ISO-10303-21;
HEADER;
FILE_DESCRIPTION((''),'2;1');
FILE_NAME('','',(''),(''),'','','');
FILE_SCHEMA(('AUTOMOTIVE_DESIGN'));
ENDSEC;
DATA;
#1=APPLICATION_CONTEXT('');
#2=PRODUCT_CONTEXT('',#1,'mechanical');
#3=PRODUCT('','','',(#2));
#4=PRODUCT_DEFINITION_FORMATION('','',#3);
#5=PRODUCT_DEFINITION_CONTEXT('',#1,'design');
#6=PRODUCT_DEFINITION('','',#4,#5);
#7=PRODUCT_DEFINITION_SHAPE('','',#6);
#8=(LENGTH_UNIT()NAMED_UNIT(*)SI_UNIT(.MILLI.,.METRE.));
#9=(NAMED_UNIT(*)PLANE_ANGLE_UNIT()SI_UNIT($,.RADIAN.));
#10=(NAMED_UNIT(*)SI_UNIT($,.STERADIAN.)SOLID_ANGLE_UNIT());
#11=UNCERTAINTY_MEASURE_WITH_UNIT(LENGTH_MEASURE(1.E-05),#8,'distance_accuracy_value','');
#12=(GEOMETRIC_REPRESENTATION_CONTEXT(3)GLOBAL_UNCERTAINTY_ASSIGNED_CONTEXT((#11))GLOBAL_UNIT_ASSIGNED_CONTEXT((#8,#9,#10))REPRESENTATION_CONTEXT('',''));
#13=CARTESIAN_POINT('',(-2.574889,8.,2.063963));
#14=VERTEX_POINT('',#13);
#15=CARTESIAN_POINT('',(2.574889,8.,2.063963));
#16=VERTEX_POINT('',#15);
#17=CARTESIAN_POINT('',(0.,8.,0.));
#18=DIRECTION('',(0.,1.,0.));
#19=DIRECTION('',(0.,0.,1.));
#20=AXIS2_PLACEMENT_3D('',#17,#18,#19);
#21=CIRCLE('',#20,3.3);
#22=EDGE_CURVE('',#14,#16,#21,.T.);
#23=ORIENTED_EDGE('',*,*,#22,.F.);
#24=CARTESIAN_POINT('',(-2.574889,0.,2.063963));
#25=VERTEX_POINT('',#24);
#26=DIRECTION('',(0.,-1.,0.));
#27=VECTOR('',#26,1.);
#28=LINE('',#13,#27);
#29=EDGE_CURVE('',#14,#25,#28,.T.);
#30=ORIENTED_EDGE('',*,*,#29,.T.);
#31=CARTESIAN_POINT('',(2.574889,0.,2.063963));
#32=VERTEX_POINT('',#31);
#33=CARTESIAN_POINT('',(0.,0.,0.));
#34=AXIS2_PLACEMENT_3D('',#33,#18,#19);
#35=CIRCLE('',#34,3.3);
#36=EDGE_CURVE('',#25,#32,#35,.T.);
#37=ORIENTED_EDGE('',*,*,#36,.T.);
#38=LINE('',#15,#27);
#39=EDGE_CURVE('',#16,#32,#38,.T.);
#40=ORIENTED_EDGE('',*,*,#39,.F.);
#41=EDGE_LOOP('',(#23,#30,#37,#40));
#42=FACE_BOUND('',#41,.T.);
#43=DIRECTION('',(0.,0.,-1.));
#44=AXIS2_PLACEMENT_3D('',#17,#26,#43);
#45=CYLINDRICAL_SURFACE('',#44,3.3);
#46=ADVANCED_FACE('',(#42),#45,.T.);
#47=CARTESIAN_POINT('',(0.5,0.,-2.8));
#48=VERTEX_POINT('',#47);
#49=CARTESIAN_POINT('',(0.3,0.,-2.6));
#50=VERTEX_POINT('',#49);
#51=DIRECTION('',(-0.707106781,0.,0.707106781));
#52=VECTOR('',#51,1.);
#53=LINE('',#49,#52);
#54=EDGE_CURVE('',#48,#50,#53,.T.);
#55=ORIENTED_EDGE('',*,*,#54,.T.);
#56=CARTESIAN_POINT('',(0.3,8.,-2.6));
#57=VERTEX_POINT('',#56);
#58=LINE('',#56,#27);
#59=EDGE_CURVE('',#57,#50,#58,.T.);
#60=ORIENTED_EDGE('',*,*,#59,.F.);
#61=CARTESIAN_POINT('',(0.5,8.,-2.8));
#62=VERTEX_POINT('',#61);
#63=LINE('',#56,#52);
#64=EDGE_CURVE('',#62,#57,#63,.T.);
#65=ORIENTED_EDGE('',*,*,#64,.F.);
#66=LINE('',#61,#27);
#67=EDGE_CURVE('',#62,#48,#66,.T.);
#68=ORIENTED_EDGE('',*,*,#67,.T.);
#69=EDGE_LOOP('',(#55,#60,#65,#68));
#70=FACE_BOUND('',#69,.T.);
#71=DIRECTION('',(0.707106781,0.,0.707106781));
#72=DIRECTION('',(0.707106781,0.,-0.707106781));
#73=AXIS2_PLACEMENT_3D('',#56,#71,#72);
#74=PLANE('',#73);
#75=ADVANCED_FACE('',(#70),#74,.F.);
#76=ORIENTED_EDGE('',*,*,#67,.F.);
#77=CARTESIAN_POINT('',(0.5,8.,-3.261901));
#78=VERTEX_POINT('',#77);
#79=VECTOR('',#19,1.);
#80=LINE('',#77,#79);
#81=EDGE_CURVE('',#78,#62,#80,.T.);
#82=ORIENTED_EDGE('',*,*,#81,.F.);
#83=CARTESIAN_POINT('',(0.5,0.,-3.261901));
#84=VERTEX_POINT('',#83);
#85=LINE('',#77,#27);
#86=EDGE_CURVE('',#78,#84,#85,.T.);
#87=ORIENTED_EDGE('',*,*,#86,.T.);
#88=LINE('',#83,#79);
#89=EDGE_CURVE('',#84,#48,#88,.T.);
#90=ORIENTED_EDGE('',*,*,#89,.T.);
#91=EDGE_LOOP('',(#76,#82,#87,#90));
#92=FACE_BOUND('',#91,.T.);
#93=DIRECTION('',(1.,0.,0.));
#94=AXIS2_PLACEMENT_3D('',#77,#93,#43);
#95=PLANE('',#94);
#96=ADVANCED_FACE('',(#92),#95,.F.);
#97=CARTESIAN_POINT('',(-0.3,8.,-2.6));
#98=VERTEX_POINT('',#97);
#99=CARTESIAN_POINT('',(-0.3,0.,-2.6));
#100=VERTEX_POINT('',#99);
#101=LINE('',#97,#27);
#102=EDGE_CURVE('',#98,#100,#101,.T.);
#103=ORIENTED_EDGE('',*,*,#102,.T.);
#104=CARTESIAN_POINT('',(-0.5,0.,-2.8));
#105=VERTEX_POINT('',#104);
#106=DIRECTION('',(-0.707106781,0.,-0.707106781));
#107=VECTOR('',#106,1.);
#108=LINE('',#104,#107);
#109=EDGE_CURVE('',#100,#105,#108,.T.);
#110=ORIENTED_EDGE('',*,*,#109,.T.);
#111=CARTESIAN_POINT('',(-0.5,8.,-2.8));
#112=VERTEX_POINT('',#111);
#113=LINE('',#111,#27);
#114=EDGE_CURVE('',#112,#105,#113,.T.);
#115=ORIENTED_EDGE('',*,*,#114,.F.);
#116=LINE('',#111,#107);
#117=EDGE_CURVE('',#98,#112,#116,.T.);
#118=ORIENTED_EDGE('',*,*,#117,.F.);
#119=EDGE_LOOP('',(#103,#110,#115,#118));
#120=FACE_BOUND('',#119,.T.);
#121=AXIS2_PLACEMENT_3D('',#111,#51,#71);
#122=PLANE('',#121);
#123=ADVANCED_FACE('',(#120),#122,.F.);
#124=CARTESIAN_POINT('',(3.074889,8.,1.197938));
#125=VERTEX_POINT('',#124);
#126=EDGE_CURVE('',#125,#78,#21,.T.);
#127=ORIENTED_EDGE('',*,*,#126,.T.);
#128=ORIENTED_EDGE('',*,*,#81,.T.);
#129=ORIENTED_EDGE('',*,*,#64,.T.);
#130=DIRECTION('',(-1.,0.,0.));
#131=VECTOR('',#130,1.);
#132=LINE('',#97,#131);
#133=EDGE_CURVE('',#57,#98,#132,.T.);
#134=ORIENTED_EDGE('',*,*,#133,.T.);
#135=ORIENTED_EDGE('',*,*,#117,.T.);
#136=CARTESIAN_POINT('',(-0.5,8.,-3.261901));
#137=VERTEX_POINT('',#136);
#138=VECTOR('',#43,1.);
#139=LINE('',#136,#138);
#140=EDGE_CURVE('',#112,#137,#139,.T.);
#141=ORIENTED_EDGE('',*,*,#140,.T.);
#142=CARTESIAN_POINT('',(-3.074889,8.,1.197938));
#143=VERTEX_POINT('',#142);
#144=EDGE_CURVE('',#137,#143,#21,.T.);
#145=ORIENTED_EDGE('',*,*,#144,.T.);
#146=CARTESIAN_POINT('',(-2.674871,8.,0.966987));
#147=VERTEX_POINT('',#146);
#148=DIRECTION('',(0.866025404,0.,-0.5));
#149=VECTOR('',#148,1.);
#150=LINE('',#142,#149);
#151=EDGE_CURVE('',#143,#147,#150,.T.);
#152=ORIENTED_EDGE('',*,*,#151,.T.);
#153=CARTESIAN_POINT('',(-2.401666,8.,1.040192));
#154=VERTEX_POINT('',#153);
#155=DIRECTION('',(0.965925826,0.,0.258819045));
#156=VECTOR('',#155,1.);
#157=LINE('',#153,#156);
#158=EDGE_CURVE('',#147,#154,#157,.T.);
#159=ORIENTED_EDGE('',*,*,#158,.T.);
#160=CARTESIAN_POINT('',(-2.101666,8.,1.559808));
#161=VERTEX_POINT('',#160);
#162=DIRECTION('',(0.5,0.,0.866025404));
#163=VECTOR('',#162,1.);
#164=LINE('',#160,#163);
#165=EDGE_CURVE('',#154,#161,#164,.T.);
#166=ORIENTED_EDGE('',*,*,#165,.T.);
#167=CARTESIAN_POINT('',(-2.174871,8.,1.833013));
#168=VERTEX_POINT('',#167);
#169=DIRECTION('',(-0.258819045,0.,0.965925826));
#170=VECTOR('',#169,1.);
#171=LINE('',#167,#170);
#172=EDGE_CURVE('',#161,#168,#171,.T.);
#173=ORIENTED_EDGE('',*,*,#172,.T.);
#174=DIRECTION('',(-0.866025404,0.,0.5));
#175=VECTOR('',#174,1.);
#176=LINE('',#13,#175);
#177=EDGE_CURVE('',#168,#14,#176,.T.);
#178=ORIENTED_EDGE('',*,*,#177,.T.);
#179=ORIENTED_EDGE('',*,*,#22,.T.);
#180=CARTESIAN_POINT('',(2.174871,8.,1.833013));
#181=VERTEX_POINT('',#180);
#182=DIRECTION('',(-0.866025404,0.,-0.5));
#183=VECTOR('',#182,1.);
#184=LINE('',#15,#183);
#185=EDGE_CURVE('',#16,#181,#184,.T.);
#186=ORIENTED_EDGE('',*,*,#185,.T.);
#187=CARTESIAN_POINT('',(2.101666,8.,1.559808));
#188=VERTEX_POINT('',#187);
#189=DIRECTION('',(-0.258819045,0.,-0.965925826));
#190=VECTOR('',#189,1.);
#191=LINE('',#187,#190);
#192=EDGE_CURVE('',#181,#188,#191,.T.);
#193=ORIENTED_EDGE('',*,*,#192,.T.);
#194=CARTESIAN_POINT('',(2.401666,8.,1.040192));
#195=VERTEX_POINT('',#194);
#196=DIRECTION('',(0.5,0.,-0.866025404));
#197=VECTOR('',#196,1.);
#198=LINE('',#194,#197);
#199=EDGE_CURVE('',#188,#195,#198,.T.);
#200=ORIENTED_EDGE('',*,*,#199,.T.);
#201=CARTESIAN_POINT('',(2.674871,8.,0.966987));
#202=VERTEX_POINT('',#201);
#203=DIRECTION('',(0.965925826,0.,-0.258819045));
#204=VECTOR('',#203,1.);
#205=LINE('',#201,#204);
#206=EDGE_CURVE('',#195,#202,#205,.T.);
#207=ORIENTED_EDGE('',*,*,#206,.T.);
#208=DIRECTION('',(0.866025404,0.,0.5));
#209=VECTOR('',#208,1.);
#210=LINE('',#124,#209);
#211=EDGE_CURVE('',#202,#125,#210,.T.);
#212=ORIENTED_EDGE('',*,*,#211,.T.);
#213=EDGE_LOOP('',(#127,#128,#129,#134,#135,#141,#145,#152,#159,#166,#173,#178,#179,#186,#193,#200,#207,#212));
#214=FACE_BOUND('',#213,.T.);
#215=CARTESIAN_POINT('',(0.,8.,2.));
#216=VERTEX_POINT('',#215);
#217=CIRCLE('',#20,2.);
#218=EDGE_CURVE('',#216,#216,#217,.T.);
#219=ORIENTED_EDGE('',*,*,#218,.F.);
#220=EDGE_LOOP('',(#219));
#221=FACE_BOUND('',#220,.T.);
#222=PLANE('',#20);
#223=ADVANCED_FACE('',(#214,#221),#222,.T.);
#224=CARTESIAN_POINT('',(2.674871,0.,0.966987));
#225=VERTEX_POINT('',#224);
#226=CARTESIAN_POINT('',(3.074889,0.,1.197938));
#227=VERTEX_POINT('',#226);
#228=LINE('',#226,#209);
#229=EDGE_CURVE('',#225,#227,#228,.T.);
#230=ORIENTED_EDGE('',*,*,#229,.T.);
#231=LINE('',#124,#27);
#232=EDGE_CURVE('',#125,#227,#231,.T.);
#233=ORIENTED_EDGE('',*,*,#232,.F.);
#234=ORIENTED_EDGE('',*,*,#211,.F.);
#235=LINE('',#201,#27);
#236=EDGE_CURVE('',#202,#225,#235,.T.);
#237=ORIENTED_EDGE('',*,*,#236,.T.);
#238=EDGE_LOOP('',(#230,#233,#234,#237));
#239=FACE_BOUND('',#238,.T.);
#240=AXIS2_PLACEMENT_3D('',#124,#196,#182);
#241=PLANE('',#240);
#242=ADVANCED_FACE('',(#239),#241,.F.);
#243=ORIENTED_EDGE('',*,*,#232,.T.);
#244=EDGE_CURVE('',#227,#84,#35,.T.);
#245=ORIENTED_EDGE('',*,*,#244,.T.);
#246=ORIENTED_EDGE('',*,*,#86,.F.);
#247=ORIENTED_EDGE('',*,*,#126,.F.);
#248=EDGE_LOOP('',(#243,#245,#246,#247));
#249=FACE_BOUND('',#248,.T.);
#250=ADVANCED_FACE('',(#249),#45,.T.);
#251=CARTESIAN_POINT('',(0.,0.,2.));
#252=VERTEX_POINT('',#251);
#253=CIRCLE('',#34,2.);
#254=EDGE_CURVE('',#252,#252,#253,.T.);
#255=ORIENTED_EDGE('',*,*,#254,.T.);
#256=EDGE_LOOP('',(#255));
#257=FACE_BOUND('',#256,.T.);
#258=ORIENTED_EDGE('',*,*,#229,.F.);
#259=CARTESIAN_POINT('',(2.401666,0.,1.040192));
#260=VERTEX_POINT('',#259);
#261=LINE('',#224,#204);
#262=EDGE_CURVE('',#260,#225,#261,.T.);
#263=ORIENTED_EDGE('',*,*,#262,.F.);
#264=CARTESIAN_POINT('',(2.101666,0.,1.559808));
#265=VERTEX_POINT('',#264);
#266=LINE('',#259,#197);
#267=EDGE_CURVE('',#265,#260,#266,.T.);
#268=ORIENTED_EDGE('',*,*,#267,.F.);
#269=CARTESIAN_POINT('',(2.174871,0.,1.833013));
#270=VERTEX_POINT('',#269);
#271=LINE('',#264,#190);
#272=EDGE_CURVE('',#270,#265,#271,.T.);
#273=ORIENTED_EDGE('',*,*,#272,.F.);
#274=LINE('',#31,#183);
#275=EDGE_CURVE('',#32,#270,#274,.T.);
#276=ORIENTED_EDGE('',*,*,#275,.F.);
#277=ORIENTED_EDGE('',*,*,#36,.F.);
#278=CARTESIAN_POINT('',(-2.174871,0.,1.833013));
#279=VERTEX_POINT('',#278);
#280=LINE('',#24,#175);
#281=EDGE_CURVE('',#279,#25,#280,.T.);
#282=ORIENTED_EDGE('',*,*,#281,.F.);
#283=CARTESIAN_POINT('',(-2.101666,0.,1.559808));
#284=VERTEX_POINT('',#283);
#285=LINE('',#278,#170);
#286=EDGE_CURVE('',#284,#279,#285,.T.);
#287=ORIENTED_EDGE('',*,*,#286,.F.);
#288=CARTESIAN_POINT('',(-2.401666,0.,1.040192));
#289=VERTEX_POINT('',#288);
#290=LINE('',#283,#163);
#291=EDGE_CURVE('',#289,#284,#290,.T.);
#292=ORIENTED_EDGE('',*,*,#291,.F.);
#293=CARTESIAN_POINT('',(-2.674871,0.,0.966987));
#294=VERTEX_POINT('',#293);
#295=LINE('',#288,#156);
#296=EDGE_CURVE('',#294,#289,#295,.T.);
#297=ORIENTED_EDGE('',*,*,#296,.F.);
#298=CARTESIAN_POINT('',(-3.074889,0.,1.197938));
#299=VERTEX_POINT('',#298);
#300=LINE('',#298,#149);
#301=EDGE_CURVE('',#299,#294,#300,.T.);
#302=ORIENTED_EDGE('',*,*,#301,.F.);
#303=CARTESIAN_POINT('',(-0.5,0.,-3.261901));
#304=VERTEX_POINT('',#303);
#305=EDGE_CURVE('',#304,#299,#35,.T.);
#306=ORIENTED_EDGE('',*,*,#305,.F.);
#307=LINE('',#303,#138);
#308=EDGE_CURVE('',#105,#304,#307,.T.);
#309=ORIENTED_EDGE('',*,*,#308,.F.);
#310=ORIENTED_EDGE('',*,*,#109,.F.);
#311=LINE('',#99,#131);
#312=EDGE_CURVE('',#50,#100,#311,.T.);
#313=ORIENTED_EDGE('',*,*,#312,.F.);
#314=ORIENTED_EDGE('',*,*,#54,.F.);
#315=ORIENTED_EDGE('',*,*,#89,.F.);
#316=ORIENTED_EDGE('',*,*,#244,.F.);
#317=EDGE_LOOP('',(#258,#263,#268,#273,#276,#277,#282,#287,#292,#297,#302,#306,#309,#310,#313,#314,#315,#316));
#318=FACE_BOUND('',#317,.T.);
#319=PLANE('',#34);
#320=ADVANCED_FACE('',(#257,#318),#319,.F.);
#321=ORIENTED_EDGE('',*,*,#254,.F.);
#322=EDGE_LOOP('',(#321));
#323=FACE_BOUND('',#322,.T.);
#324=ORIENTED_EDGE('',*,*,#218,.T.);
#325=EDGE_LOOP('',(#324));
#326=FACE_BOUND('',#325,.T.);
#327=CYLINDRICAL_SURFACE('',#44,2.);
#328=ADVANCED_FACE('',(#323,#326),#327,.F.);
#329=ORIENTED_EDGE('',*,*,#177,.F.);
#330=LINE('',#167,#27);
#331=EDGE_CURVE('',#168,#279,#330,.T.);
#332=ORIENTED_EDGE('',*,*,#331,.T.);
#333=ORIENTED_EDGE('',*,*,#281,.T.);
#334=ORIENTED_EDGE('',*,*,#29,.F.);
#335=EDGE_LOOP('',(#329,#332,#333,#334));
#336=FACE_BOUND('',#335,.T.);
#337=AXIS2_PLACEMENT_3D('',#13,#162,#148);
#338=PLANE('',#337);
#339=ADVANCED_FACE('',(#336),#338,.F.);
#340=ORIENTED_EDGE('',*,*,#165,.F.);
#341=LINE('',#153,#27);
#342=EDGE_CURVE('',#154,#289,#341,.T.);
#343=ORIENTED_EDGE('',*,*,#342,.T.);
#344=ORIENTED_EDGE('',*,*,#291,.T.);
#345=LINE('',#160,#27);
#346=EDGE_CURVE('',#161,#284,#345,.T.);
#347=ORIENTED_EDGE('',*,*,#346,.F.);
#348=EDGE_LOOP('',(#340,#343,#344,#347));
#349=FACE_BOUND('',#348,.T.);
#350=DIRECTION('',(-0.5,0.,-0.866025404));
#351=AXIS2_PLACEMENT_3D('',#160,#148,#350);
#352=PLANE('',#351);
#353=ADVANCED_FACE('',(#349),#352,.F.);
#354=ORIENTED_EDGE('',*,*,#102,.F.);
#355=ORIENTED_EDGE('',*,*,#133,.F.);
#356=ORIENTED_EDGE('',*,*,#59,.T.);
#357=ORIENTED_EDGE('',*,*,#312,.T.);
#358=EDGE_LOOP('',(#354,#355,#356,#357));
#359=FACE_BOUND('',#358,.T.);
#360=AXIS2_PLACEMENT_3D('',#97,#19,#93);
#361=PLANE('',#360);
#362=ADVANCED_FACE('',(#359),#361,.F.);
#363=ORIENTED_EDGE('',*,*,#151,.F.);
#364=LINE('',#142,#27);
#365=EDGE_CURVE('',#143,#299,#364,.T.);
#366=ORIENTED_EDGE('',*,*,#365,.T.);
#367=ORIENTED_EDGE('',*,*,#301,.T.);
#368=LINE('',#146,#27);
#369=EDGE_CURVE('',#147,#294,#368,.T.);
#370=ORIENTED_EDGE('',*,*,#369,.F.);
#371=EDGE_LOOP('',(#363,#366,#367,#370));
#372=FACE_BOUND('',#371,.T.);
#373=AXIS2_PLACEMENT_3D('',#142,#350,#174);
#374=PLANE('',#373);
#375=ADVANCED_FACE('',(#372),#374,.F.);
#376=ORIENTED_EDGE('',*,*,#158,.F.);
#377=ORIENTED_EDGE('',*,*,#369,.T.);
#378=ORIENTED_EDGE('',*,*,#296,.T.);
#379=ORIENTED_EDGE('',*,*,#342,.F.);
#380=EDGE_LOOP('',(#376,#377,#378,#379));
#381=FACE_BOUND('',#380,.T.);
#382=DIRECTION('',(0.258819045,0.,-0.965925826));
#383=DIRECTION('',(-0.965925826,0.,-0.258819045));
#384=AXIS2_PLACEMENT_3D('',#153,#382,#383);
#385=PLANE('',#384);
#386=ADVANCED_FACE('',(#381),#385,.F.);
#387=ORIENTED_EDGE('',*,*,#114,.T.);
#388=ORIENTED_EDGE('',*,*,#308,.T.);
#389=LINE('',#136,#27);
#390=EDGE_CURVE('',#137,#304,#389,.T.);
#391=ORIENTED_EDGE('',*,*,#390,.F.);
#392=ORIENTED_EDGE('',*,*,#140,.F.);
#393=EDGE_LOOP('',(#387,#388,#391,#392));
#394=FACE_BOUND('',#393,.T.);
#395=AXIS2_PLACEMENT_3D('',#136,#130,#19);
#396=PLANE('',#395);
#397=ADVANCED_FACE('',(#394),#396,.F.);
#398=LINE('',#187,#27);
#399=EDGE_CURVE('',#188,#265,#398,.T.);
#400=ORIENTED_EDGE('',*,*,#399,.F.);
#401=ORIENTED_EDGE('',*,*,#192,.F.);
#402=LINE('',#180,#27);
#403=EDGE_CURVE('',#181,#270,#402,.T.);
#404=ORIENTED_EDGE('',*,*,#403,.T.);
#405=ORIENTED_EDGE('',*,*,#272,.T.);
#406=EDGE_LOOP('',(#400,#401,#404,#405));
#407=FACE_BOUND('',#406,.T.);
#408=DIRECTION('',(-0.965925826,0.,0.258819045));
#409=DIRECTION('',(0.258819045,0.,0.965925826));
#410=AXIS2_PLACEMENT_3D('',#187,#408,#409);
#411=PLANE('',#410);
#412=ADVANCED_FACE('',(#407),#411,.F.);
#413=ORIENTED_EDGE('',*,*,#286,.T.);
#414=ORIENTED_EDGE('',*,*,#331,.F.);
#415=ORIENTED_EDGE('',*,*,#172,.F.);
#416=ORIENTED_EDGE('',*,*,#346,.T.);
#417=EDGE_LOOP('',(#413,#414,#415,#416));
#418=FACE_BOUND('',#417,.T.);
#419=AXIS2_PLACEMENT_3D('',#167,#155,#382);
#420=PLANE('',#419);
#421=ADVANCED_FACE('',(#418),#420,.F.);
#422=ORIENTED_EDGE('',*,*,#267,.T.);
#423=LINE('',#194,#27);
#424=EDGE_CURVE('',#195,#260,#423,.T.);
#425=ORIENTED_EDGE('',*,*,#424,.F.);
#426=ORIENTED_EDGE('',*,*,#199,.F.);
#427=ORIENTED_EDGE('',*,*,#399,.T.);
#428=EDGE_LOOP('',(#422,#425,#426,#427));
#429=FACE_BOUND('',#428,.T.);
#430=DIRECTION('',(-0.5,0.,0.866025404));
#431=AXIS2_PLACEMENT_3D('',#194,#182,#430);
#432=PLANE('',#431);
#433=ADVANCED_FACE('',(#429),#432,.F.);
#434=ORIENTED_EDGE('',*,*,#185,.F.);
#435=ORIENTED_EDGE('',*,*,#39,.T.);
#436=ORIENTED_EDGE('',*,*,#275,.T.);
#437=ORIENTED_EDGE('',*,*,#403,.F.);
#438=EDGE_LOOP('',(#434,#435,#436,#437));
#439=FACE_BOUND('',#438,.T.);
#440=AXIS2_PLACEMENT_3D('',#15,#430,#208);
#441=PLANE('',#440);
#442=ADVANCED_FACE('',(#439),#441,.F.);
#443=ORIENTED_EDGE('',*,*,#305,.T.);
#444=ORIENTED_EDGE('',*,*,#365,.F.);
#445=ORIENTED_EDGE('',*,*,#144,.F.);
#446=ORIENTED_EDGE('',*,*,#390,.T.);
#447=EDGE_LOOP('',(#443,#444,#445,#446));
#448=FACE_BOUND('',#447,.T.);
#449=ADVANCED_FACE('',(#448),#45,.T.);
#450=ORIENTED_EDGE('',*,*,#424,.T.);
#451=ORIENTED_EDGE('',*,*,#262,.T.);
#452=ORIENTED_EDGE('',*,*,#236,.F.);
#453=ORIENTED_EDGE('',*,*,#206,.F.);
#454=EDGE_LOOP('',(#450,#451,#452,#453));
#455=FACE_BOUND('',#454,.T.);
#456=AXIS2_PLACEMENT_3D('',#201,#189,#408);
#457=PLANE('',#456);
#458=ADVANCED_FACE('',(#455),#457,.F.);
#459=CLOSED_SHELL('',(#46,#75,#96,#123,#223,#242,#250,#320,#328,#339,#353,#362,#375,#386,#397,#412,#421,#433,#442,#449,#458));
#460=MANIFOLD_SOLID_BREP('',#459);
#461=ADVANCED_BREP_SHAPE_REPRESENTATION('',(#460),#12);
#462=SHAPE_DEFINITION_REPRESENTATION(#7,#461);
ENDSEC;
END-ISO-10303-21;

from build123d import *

# Parameters (mm, degrees)
SKETCH1_R           = 2
BOSS_EXTRUDE1_DEPTH = 8


with BuildPart() as part:
    # Sketch1 → Boss-Extrude1 (new body)
    with BuildSketch(Plane(origin=(0, 0, 0), x_dir=(1, 0, 0), z_dir=(0, 1, 0))):
        with BuildLine():
            Line((-0.5, 2.8), (-0.3, 2.6))
            Line((-0.3, 2.6), (0.3, 2.6))
            Line((0.3, 2.6), (0.5, 2.8))
            Line((0.5, 2.8), (0.5, 3.261901286))
            ThreePointArc((0.5, 3.261901286), (2.857883832, 1.65), (3.074889378, -1.197937941))
            Line((3.074889378, -1.197937941), (2.674871131, -0.966987298))
            Line((2.674871131, -0.966987298), (2.40166605, -1.040192379))
            Line((2.40166605, -1.040192379), (2.10166605, -1.559807621))
            Line((2.10166605, -1.559807621), (2.174871131, -1.833012702))
            Line((2.174871131, -1.833012702), (2.574889378, -2.063963345))
            ThreePointArc((2.574889378, -2.063963345), (0, -3.3), (-2.574889378, -2.063963345))
            Line((-2.574889378, -2.063963345), (-2.174871131, -1.833012702))
            Line((-2.174871131, -1.833012702), (-2.10166605, -1.559807621))
            Line((-2.10166605, -1.559807621), (-2.40166605, -1.040192379))
            Line((-2.40166605, -1.040192379), (-2.674871131, -0.966987298))
            Line((-2.674871131, -0.966987298), (-3.074889378, -1.197937941))
            ThreePointArc((-3.074889378, -1.197937941), (-2.857883832, 1.65), (-0.5, 3.261901286))
            Line((-0.5, 3.261901286), (-0.5, 2.8))
        make_face()
        with Locations(Location((0, 0, 0), (0, 0, 270))):
            Circle(SKETCH1_R, mode=Mode.SUBTRACT)
    extrude(amount=BOSS_EXTRUDE1_DEPTH)


solid = part.part
